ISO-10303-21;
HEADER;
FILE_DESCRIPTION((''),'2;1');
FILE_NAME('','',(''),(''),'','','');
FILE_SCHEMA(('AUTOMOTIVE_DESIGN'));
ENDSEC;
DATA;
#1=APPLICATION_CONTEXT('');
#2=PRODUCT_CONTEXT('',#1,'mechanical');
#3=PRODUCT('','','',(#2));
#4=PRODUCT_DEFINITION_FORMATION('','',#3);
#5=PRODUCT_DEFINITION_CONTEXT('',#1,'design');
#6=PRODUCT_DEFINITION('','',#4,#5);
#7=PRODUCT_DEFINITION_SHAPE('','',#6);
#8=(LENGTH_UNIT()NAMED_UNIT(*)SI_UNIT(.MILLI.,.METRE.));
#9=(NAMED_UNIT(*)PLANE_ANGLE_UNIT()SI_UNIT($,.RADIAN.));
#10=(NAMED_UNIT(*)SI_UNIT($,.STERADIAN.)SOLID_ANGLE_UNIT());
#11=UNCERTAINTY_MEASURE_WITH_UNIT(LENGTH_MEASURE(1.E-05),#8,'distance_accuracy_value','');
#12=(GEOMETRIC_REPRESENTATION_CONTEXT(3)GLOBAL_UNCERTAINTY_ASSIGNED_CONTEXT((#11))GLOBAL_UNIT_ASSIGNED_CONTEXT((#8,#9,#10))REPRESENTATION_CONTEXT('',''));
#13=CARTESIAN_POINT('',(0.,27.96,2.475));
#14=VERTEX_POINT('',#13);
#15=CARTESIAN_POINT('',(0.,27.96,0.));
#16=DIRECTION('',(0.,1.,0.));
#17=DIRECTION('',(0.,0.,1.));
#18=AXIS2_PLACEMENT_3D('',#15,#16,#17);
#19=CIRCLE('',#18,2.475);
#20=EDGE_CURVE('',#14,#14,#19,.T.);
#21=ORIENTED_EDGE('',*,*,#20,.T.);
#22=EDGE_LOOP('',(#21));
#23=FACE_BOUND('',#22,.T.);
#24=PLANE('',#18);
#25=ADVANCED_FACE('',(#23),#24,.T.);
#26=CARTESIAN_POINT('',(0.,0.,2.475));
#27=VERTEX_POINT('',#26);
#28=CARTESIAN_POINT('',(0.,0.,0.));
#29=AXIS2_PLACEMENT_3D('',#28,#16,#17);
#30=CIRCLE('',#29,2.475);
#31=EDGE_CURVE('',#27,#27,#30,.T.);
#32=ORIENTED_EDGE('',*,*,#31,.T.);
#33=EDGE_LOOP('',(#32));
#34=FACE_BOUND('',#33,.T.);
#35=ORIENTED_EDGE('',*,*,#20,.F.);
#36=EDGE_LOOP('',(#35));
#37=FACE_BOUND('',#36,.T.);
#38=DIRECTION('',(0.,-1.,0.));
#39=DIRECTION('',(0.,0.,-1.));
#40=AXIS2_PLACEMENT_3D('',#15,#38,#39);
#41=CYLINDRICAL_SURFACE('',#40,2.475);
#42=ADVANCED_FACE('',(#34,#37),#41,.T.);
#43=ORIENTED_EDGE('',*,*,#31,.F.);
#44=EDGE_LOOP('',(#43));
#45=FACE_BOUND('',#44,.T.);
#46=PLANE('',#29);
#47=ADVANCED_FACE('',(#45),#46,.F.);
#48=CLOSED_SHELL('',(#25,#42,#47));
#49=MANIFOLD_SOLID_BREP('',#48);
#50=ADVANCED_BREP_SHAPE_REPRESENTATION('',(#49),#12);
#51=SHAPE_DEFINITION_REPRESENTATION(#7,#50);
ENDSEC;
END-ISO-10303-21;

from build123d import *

# Parameters (mm, degrees)
CROQUIS1_R              = 2.475
SALIENTE_EXTRUIR1_DEPTH = 27.96


with BuildPart() as part:
    # Croquis1 → Saliente-Extruir1 (new body)
    with BuildSketch(Plane(origin=(0, 0, 0), x_dir=(1, 0, 0), z_dir=(0, 1, 0))):
        with Locations(Location((0, 0, 0), (0, 0, 270))):
            Circle(CROQUIS1_R)
    extrude(amount=SALIENTE_EXTRUIR1_DEPTH)


solid = part.part
